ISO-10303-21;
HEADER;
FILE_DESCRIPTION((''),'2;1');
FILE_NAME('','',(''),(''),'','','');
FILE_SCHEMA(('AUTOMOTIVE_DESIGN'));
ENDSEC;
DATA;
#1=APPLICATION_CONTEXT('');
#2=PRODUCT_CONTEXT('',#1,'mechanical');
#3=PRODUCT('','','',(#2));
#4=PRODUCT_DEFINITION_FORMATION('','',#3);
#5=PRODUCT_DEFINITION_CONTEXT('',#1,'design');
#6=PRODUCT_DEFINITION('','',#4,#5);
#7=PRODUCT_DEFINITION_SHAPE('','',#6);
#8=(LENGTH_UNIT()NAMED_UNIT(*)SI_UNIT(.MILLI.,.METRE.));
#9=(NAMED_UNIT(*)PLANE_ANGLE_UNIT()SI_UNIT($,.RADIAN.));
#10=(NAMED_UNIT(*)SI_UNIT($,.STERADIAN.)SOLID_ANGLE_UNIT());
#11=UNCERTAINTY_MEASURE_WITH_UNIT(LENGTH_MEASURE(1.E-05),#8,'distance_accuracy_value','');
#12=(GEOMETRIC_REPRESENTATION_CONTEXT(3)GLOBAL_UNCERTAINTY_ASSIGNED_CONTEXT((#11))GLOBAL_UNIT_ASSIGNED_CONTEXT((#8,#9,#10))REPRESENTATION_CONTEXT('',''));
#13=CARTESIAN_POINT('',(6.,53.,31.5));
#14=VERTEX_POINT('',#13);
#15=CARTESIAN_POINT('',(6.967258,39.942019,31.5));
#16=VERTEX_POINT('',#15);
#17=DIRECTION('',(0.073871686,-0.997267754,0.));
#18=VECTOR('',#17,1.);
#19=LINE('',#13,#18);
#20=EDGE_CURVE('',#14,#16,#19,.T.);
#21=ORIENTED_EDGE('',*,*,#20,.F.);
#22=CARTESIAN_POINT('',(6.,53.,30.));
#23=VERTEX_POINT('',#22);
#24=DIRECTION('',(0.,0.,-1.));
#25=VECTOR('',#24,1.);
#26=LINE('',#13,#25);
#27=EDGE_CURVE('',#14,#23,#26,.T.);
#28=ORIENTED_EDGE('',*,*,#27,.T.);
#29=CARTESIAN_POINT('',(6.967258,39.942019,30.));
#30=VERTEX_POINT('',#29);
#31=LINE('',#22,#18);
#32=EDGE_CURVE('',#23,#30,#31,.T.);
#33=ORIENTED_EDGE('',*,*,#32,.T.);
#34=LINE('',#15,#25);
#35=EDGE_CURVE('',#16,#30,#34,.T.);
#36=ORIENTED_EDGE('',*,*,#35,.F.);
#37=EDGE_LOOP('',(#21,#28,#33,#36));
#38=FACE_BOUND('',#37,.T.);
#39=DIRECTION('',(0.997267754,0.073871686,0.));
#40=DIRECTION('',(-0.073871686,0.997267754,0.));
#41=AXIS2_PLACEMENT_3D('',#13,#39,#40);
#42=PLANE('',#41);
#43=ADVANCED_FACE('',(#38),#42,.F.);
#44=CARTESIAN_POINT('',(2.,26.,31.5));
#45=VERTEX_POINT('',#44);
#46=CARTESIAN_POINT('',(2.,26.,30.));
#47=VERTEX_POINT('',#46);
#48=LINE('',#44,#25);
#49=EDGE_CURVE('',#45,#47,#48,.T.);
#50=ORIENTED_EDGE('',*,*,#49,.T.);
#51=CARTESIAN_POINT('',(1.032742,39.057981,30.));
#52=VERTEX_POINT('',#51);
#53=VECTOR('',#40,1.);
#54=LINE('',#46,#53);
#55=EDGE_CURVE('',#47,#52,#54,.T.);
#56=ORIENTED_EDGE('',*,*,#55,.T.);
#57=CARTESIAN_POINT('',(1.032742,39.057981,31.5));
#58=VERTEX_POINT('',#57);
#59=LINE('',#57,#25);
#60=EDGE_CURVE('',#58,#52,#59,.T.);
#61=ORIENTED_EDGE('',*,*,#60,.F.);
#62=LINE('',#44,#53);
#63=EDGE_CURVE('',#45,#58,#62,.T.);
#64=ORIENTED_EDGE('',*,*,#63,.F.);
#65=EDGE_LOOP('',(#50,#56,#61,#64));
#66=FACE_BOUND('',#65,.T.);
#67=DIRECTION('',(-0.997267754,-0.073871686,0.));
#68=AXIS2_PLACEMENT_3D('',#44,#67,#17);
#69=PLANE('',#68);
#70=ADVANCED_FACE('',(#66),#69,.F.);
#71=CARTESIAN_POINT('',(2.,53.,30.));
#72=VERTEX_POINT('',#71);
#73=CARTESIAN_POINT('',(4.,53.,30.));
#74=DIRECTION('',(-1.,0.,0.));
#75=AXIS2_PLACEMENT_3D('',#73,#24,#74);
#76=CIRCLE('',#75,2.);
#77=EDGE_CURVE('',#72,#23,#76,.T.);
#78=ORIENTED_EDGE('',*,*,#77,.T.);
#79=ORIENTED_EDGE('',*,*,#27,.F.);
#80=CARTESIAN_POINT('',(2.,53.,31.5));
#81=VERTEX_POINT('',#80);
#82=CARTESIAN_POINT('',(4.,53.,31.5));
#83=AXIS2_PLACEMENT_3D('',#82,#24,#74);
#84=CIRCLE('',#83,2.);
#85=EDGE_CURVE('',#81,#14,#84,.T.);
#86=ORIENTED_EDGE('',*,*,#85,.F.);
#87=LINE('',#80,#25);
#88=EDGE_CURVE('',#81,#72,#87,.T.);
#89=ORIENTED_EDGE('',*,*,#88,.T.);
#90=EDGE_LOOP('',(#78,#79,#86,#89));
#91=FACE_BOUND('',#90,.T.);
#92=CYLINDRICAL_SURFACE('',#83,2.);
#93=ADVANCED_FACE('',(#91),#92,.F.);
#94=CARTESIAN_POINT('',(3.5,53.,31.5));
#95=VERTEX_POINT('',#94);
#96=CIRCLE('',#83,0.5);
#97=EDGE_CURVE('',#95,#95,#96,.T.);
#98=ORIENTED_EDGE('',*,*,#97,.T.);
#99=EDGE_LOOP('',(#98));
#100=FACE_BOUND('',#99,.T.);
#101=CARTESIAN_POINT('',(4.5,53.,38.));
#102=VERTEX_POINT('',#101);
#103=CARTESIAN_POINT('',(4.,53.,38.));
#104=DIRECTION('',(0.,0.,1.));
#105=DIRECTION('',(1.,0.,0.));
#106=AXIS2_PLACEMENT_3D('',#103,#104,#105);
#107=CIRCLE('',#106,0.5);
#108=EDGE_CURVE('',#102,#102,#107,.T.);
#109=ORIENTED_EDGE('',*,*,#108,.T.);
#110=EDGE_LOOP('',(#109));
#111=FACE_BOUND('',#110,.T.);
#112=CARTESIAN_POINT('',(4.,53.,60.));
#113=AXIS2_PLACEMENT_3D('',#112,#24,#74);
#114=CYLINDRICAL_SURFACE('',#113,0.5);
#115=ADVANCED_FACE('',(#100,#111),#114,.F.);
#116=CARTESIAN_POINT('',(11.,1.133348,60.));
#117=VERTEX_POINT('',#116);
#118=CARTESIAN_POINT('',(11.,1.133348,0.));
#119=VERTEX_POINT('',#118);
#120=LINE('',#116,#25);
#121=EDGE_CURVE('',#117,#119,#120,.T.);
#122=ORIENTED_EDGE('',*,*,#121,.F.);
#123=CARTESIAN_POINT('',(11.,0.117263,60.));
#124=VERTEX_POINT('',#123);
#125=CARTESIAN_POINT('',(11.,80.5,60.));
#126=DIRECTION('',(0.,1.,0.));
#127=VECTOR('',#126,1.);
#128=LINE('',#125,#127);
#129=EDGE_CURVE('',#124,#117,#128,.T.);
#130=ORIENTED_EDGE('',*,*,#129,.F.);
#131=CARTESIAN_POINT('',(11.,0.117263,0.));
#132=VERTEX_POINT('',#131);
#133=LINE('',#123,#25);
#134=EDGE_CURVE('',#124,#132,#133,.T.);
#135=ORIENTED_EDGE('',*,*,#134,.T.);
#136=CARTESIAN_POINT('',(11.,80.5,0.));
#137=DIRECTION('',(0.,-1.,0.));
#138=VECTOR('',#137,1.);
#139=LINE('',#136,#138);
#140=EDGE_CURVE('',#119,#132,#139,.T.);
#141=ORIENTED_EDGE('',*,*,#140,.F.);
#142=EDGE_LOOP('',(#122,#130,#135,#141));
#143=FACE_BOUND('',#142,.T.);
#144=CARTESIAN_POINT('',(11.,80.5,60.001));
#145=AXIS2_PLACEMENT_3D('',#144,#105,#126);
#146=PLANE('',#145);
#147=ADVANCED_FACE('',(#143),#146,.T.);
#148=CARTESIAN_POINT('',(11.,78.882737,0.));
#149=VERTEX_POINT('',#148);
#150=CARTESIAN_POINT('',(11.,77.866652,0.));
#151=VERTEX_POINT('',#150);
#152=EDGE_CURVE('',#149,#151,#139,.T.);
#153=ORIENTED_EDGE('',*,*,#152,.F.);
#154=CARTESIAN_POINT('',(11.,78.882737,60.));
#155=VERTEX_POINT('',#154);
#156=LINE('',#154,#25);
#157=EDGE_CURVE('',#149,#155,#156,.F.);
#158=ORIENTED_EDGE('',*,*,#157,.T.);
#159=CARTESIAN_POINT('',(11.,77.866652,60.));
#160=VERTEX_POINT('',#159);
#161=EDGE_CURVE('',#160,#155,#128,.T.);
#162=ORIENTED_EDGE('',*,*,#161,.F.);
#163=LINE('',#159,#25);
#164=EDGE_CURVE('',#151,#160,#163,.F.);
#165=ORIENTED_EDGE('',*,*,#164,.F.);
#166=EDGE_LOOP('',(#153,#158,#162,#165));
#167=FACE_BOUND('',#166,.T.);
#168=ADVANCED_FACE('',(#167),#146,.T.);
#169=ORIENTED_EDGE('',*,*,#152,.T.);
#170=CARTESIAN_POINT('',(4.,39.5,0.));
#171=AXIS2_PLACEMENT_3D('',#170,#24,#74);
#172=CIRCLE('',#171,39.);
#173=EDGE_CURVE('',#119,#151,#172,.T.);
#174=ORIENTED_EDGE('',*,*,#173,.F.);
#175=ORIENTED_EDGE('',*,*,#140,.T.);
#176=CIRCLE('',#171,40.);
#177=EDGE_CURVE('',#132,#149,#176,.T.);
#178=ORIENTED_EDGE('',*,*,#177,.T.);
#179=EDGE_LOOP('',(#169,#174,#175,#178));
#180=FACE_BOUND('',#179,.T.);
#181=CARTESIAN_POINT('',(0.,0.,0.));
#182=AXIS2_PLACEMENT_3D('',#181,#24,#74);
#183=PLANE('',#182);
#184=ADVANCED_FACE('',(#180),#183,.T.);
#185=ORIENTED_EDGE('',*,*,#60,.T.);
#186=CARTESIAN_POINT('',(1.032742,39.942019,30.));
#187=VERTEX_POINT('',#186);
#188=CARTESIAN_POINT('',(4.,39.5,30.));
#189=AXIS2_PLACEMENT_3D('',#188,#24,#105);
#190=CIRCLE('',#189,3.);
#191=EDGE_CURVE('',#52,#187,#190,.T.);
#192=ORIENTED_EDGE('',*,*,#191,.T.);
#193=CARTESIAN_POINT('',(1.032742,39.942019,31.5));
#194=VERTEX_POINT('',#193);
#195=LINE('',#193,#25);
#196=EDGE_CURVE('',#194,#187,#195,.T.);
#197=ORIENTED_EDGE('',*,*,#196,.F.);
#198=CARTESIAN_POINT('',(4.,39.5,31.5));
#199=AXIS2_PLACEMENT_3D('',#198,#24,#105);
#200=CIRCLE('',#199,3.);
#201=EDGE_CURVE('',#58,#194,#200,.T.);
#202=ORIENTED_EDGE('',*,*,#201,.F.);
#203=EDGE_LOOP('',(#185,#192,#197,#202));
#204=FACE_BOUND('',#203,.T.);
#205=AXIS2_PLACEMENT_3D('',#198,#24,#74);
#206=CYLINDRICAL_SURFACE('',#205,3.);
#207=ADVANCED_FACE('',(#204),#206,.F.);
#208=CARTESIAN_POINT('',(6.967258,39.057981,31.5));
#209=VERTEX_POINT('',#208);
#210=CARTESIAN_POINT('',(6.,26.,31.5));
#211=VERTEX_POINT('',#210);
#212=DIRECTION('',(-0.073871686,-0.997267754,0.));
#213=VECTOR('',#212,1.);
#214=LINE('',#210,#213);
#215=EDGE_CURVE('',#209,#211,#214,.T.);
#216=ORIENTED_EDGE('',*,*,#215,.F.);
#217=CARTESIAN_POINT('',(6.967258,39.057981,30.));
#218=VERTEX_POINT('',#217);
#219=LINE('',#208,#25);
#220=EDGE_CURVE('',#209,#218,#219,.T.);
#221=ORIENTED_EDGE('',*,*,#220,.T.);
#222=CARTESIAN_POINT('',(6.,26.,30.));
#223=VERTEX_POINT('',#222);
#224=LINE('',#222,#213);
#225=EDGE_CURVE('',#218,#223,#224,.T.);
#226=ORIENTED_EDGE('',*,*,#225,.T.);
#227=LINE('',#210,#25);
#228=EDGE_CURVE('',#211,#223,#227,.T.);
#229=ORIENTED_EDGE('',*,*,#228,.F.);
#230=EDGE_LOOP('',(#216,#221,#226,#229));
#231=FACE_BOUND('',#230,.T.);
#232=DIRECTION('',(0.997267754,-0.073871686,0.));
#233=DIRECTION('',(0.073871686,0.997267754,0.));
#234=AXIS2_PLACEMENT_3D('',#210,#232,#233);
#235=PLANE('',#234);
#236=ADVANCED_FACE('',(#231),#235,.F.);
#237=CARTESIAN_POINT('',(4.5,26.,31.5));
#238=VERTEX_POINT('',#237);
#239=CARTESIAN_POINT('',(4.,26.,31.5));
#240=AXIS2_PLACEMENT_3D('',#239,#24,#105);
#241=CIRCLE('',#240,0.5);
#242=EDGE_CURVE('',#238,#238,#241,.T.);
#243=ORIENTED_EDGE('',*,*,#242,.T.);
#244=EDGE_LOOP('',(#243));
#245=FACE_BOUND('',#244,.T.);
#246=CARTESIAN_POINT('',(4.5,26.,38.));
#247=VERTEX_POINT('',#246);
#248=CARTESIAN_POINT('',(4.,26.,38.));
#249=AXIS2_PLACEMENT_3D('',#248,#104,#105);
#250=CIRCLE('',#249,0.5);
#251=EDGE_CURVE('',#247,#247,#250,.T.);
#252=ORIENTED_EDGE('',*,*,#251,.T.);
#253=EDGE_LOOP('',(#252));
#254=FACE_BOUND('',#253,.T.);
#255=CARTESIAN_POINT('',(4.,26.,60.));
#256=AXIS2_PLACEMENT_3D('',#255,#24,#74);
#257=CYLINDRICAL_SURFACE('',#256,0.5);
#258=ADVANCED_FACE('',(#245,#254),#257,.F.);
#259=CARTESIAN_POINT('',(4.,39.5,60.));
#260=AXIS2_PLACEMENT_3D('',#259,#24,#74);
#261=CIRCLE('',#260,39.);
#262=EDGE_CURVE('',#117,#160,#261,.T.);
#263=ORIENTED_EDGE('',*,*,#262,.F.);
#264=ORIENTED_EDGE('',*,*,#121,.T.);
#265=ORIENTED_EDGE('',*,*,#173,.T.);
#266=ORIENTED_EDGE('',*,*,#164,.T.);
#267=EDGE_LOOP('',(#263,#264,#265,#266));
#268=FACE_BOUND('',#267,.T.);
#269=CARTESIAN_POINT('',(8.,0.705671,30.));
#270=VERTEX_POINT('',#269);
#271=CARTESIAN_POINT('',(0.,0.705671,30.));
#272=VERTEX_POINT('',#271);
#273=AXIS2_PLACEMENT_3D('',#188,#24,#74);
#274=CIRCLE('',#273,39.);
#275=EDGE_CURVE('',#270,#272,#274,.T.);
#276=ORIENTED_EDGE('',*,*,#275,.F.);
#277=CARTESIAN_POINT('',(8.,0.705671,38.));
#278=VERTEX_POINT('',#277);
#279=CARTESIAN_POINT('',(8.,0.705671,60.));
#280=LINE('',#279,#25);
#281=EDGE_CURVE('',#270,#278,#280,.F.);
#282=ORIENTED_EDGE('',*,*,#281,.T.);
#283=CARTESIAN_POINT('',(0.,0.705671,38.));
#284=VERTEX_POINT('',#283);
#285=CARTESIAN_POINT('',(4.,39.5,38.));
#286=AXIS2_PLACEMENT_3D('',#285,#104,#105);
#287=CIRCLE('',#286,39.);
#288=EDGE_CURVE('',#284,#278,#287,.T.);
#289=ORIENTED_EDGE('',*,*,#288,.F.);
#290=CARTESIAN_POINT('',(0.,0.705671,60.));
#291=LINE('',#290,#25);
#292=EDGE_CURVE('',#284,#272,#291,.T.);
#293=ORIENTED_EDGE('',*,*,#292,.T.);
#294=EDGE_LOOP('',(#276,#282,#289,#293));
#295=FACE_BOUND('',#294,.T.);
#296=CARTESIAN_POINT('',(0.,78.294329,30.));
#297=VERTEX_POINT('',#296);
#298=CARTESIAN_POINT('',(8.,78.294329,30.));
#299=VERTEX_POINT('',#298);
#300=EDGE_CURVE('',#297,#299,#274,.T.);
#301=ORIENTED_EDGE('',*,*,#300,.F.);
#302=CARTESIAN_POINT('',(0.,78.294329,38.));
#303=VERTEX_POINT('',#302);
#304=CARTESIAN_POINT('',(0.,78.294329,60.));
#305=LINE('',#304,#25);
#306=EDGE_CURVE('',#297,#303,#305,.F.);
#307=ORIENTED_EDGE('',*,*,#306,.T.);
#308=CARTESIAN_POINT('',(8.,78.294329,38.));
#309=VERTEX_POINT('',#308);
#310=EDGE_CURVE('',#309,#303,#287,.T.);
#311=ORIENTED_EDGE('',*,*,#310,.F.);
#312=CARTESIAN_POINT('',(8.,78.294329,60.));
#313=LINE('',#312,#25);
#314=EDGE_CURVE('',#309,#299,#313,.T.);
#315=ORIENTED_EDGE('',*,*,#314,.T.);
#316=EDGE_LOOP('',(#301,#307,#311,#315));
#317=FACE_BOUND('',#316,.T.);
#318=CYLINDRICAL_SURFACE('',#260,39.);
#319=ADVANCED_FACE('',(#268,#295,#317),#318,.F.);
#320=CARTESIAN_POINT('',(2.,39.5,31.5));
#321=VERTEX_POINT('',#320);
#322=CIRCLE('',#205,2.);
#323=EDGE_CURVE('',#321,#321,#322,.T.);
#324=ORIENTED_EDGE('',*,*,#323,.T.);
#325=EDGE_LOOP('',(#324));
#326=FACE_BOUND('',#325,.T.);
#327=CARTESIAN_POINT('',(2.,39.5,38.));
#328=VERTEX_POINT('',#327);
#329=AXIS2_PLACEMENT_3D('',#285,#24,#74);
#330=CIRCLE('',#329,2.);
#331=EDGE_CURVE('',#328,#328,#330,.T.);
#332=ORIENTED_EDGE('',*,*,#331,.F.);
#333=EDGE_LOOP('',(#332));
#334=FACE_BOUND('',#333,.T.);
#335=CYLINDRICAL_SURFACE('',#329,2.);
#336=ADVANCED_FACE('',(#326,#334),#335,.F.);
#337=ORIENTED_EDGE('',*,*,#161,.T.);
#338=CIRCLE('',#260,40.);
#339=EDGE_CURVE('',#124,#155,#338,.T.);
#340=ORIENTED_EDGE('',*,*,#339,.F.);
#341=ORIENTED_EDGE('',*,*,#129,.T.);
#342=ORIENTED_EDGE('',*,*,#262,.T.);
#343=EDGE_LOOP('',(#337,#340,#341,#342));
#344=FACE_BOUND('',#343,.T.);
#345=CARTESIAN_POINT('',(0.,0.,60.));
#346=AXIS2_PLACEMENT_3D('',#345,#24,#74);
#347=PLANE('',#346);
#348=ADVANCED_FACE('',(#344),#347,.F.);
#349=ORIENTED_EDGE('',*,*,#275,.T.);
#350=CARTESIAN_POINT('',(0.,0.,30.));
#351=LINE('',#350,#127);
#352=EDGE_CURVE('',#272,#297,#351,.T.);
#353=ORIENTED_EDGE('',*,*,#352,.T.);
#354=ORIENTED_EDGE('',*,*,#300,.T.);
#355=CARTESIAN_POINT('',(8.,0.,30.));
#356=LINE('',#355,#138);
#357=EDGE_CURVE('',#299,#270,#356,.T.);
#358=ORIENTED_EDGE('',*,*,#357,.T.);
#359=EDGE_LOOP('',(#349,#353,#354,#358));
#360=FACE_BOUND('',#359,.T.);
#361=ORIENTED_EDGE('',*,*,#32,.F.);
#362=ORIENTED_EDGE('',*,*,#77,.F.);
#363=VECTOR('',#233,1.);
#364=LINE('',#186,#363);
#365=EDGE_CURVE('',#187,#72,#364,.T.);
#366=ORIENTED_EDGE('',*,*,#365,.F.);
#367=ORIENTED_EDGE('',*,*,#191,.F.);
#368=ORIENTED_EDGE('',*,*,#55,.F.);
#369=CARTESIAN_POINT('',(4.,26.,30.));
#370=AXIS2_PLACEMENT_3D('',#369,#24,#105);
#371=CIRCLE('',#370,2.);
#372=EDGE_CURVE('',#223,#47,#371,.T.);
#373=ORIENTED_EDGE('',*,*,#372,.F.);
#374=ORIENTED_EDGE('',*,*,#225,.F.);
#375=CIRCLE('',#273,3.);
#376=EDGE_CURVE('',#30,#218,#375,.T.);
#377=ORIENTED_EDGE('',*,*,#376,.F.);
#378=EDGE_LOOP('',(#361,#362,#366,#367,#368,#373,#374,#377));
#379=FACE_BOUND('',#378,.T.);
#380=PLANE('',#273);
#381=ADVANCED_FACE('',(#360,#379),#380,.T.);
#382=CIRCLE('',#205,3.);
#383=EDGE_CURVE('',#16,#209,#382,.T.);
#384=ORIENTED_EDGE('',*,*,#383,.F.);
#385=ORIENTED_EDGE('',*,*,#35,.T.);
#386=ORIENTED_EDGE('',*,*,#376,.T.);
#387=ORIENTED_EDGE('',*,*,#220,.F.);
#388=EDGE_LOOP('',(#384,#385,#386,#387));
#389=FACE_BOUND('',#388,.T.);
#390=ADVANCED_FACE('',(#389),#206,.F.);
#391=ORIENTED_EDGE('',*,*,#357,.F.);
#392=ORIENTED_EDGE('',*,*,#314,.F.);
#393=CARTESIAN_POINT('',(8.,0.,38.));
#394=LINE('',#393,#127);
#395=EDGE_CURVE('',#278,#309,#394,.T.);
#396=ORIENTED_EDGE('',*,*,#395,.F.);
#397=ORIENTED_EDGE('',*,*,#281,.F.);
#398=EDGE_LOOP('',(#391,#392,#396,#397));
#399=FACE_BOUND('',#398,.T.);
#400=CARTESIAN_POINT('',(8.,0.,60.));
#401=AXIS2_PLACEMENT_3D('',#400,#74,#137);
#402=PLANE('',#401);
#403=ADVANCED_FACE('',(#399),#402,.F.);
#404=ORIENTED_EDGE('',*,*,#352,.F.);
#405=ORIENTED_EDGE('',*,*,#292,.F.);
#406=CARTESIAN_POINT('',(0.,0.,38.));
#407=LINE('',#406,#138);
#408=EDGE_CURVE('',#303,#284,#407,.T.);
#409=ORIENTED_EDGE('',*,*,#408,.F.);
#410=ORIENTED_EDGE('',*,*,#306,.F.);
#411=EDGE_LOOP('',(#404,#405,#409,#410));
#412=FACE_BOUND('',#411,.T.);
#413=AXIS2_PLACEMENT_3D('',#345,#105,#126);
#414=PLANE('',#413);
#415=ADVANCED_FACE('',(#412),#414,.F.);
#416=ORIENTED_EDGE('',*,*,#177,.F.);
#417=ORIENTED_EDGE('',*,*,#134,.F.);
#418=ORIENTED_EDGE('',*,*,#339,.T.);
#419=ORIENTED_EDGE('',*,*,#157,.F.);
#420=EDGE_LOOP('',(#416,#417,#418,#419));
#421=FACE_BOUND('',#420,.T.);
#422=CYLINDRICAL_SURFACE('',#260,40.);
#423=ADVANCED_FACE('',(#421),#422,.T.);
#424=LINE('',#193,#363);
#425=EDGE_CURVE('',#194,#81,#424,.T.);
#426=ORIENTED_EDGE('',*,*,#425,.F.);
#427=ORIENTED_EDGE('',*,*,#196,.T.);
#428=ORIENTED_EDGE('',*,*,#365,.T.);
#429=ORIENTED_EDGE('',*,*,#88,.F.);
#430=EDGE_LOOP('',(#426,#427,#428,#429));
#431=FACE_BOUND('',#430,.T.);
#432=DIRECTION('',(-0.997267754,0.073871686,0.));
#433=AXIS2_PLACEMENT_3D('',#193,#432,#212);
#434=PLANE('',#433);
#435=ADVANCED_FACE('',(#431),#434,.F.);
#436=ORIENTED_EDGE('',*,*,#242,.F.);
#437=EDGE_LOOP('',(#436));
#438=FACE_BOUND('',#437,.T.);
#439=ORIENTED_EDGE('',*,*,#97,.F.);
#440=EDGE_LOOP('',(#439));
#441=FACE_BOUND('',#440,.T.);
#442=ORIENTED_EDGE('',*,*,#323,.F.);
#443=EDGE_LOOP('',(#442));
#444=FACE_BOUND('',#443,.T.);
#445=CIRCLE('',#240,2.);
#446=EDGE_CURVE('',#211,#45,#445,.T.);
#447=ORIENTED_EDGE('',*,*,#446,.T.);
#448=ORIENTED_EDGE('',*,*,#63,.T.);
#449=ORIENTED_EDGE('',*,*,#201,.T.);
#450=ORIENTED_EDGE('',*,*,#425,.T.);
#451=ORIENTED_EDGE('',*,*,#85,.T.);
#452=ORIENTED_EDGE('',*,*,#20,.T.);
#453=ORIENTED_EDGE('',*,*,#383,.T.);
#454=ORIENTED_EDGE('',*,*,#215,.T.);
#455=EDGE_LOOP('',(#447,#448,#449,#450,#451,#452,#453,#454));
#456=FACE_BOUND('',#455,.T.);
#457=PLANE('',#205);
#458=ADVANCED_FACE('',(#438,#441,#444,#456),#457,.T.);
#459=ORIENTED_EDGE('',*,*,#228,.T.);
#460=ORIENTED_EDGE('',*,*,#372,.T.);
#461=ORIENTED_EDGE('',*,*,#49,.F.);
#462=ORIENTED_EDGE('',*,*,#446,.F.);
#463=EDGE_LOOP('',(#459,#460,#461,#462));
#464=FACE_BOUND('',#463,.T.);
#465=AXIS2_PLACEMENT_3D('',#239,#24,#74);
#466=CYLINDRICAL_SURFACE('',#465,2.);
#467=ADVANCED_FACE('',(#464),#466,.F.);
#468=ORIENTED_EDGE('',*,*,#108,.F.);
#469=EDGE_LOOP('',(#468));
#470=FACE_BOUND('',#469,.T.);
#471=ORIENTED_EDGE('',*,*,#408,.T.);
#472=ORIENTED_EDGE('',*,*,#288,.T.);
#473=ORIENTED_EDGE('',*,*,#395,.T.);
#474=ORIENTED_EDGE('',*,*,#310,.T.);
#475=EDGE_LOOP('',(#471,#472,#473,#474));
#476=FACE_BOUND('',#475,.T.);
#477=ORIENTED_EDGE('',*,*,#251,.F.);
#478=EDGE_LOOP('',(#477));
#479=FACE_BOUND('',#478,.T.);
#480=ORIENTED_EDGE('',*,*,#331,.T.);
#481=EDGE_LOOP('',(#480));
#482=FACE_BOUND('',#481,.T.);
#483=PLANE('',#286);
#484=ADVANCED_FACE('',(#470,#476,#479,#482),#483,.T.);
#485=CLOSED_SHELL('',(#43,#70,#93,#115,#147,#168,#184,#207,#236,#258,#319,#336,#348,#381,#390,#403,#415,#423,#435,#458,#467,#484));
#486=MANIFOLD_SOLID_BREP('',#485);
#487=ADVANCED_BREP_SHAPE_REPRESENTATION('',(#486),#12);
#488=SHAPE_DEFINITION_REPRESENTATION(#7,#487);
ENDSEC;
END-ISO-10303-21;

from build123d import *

# Parameters (mm, degrees)
ESQUISSE1_W              = 8
ESQUISSE1_H              = 79
BOSS_EXTRU_1_DEPTH       = 60
ESQUISSE3_R              = 40
ESQUISSE3_R_2            = 39
BOSS_EXTRU_2_DEPTH       = 60
ESQUISSE4_R              = 39
ENL_V_MAT_EXTRU_3_DEPTH  = 30
ENL_V_MAT_EXTRU_5_DEPTH  = 1.5
ESQUISSE6_R              = 39
ENL_V_MAT_EXTRU_6_DEPTH  = 22
ESQUISSE7_R              = 2
ENL_V_MAT_EXTRU_7_DEPTH  = 6.5
ESQUISSE9_R              = 0.5
ENL_V_MAT_EXTRU_8_DEPTH  = 29.5
ENL_V_MAT_EXTRU_10_REACH = 62
ESQUISSE11_W             = 40
ESQUISSE11_H             = 82


with BuildPart() as part:
    # Esquisse1 → Boss.-Extru.1 (new body)
    with BuildSketch(Plane.XY):
        with Locations((4, 39.5)):
            Rectangle(ESQUISSE1_W, ESQUISSE1_H)
    extrude(amount=BOSS_EXTRU_1_DEPTH)

    # Esquisse3 → Boss.-Extru.2 (add)
    with BuildSketch(Plane(origin=(0, 0, 0), x_dir=(-1, 0, 0), z_dir=(0, 0, -1))):
        with Locations((-4, 39.5)):
            Circle(ESQUISSE3_R)
        with Locations((-4, 39.5)):
            Circle(ESQUISSE3_R_2, mode=Mode.SUBTRACT)
    extrude(amount=-BOSS_EXTRU_2_DEPTH)

    # Esquisse4 → Enlèv. mat.-Extru.3 (cut)
    with BuildSketch(Plane(origin=(0, 0, 0), x_dir=(-1, 0, 0), z_dir=(0, 0, -1))):
        with Locations((-4, 39.5)):
            Circle(ESQUISSE4_R)
    extrude(amount=-ENL_V_MAT_EXTRU_3_DEPTH, mode=Mode.SUBTRACT)

    # Esquisse5 → Enlèv. mat.-Extru.5 (cut)
    with BuildSketch(Plane(origin=(0, 0, 30), x_dir=(-1, 0, 0), z_dir=(0, 0, -1))):
        with BuildLine():
            Line((-6, 53), (-6.967257844, 39.9420191))
            ThreePointArc((-6.967257844, 39.9420191), (-7, 39.5), (-6.967257844, 39.0579809))
            Line((-6.967257844, 39.0579809), (-6, 26))
            ThreePointArc((-6, 26), (-4, 24), (-2, 26))
            Line((-2, 26), (-1.032742156, 39.0579809))
            ThreePointArc((-1.032742156, 39.0579809), (-1, 39.5), (-1.032742156, 39.9420191))
            Line((-1.032742156, 39.9420191), (-2, 53))
            ThreePointArc((-2, 53), (-4, 55), (-6, 53))
        make_face()
    extrude(amount=-ENL_V_MAT_EXTRU_5_DEPTH, mode=Mode.SUBTRACT)

    # Esquisse6 → Enlèv. mat.-Extru.6 (cut)
    with BuildSketch(Plane.XY.offset(60)):
        with Locations((4, 39.5)):
            Circle(ESQUISSE6_R)
    extrude(amount=-ENL_V_MAT_EXTRU_6_DEPTH, mode=Mode.SUBTRACT)

    # Esquisse7 → Enlèv. mat.-Extru.7 (cut)
    with BuildSketch(Plane(origin=(0, 0, 31.5), x_dir=(-1, 0, 0), z_dir=(0, 0, -1))):
        with Locations((-4, 39.5)):
            Circle(ESQUISSE7_R)
    extrude(amount=-ENL_V_MAT_EXTRU_7_DEPTH, mode=Mode.SUBTRACT)

    # Esquisse9 → Enlèv. mat.-Extru.8 (cut, through all)
    with BuildSketch(Plane(origin=(0, 0, 31.5), x_dir=(-1, 0, 0), z_dir=(0, 0, -1))):
        with Locations((-4, 53)):
            Circle(ESQUISSE9_R)
        with Locations((-4, 26)):
            Circle(ESQUISSE9_R)
    extrude(amount=-ENL_V_MAT_EXTRU_8_DEPTH, mode=Mode.SUBTRACT)

    # Esquisse11 → Enlèv. mat.-Extru.10 (cut, up to next)
    with BuildSketch(Plane.XY, mode=Mode.PRIVATE) as enl_v_mat_extru_10_sk1:
        with Locations((31, 39.5)):
            Rectangle(ESQUISSE11_W, ESQUISSE11_H)
    enl_v_mat_extru_10_tool1 = extrude(enl_v_mat_extru_10_sk1.sketch, amount=ENL_V_MAT_EXTRU_10_REACH, mode=Mode.PRIVATE) & part.part
    add(enl_v_mat_extru_10_tool1.solids().sort_by_distance((31, 39.5, 0))[0], mode=Mode.SUBTRACT)


solid = part.part
